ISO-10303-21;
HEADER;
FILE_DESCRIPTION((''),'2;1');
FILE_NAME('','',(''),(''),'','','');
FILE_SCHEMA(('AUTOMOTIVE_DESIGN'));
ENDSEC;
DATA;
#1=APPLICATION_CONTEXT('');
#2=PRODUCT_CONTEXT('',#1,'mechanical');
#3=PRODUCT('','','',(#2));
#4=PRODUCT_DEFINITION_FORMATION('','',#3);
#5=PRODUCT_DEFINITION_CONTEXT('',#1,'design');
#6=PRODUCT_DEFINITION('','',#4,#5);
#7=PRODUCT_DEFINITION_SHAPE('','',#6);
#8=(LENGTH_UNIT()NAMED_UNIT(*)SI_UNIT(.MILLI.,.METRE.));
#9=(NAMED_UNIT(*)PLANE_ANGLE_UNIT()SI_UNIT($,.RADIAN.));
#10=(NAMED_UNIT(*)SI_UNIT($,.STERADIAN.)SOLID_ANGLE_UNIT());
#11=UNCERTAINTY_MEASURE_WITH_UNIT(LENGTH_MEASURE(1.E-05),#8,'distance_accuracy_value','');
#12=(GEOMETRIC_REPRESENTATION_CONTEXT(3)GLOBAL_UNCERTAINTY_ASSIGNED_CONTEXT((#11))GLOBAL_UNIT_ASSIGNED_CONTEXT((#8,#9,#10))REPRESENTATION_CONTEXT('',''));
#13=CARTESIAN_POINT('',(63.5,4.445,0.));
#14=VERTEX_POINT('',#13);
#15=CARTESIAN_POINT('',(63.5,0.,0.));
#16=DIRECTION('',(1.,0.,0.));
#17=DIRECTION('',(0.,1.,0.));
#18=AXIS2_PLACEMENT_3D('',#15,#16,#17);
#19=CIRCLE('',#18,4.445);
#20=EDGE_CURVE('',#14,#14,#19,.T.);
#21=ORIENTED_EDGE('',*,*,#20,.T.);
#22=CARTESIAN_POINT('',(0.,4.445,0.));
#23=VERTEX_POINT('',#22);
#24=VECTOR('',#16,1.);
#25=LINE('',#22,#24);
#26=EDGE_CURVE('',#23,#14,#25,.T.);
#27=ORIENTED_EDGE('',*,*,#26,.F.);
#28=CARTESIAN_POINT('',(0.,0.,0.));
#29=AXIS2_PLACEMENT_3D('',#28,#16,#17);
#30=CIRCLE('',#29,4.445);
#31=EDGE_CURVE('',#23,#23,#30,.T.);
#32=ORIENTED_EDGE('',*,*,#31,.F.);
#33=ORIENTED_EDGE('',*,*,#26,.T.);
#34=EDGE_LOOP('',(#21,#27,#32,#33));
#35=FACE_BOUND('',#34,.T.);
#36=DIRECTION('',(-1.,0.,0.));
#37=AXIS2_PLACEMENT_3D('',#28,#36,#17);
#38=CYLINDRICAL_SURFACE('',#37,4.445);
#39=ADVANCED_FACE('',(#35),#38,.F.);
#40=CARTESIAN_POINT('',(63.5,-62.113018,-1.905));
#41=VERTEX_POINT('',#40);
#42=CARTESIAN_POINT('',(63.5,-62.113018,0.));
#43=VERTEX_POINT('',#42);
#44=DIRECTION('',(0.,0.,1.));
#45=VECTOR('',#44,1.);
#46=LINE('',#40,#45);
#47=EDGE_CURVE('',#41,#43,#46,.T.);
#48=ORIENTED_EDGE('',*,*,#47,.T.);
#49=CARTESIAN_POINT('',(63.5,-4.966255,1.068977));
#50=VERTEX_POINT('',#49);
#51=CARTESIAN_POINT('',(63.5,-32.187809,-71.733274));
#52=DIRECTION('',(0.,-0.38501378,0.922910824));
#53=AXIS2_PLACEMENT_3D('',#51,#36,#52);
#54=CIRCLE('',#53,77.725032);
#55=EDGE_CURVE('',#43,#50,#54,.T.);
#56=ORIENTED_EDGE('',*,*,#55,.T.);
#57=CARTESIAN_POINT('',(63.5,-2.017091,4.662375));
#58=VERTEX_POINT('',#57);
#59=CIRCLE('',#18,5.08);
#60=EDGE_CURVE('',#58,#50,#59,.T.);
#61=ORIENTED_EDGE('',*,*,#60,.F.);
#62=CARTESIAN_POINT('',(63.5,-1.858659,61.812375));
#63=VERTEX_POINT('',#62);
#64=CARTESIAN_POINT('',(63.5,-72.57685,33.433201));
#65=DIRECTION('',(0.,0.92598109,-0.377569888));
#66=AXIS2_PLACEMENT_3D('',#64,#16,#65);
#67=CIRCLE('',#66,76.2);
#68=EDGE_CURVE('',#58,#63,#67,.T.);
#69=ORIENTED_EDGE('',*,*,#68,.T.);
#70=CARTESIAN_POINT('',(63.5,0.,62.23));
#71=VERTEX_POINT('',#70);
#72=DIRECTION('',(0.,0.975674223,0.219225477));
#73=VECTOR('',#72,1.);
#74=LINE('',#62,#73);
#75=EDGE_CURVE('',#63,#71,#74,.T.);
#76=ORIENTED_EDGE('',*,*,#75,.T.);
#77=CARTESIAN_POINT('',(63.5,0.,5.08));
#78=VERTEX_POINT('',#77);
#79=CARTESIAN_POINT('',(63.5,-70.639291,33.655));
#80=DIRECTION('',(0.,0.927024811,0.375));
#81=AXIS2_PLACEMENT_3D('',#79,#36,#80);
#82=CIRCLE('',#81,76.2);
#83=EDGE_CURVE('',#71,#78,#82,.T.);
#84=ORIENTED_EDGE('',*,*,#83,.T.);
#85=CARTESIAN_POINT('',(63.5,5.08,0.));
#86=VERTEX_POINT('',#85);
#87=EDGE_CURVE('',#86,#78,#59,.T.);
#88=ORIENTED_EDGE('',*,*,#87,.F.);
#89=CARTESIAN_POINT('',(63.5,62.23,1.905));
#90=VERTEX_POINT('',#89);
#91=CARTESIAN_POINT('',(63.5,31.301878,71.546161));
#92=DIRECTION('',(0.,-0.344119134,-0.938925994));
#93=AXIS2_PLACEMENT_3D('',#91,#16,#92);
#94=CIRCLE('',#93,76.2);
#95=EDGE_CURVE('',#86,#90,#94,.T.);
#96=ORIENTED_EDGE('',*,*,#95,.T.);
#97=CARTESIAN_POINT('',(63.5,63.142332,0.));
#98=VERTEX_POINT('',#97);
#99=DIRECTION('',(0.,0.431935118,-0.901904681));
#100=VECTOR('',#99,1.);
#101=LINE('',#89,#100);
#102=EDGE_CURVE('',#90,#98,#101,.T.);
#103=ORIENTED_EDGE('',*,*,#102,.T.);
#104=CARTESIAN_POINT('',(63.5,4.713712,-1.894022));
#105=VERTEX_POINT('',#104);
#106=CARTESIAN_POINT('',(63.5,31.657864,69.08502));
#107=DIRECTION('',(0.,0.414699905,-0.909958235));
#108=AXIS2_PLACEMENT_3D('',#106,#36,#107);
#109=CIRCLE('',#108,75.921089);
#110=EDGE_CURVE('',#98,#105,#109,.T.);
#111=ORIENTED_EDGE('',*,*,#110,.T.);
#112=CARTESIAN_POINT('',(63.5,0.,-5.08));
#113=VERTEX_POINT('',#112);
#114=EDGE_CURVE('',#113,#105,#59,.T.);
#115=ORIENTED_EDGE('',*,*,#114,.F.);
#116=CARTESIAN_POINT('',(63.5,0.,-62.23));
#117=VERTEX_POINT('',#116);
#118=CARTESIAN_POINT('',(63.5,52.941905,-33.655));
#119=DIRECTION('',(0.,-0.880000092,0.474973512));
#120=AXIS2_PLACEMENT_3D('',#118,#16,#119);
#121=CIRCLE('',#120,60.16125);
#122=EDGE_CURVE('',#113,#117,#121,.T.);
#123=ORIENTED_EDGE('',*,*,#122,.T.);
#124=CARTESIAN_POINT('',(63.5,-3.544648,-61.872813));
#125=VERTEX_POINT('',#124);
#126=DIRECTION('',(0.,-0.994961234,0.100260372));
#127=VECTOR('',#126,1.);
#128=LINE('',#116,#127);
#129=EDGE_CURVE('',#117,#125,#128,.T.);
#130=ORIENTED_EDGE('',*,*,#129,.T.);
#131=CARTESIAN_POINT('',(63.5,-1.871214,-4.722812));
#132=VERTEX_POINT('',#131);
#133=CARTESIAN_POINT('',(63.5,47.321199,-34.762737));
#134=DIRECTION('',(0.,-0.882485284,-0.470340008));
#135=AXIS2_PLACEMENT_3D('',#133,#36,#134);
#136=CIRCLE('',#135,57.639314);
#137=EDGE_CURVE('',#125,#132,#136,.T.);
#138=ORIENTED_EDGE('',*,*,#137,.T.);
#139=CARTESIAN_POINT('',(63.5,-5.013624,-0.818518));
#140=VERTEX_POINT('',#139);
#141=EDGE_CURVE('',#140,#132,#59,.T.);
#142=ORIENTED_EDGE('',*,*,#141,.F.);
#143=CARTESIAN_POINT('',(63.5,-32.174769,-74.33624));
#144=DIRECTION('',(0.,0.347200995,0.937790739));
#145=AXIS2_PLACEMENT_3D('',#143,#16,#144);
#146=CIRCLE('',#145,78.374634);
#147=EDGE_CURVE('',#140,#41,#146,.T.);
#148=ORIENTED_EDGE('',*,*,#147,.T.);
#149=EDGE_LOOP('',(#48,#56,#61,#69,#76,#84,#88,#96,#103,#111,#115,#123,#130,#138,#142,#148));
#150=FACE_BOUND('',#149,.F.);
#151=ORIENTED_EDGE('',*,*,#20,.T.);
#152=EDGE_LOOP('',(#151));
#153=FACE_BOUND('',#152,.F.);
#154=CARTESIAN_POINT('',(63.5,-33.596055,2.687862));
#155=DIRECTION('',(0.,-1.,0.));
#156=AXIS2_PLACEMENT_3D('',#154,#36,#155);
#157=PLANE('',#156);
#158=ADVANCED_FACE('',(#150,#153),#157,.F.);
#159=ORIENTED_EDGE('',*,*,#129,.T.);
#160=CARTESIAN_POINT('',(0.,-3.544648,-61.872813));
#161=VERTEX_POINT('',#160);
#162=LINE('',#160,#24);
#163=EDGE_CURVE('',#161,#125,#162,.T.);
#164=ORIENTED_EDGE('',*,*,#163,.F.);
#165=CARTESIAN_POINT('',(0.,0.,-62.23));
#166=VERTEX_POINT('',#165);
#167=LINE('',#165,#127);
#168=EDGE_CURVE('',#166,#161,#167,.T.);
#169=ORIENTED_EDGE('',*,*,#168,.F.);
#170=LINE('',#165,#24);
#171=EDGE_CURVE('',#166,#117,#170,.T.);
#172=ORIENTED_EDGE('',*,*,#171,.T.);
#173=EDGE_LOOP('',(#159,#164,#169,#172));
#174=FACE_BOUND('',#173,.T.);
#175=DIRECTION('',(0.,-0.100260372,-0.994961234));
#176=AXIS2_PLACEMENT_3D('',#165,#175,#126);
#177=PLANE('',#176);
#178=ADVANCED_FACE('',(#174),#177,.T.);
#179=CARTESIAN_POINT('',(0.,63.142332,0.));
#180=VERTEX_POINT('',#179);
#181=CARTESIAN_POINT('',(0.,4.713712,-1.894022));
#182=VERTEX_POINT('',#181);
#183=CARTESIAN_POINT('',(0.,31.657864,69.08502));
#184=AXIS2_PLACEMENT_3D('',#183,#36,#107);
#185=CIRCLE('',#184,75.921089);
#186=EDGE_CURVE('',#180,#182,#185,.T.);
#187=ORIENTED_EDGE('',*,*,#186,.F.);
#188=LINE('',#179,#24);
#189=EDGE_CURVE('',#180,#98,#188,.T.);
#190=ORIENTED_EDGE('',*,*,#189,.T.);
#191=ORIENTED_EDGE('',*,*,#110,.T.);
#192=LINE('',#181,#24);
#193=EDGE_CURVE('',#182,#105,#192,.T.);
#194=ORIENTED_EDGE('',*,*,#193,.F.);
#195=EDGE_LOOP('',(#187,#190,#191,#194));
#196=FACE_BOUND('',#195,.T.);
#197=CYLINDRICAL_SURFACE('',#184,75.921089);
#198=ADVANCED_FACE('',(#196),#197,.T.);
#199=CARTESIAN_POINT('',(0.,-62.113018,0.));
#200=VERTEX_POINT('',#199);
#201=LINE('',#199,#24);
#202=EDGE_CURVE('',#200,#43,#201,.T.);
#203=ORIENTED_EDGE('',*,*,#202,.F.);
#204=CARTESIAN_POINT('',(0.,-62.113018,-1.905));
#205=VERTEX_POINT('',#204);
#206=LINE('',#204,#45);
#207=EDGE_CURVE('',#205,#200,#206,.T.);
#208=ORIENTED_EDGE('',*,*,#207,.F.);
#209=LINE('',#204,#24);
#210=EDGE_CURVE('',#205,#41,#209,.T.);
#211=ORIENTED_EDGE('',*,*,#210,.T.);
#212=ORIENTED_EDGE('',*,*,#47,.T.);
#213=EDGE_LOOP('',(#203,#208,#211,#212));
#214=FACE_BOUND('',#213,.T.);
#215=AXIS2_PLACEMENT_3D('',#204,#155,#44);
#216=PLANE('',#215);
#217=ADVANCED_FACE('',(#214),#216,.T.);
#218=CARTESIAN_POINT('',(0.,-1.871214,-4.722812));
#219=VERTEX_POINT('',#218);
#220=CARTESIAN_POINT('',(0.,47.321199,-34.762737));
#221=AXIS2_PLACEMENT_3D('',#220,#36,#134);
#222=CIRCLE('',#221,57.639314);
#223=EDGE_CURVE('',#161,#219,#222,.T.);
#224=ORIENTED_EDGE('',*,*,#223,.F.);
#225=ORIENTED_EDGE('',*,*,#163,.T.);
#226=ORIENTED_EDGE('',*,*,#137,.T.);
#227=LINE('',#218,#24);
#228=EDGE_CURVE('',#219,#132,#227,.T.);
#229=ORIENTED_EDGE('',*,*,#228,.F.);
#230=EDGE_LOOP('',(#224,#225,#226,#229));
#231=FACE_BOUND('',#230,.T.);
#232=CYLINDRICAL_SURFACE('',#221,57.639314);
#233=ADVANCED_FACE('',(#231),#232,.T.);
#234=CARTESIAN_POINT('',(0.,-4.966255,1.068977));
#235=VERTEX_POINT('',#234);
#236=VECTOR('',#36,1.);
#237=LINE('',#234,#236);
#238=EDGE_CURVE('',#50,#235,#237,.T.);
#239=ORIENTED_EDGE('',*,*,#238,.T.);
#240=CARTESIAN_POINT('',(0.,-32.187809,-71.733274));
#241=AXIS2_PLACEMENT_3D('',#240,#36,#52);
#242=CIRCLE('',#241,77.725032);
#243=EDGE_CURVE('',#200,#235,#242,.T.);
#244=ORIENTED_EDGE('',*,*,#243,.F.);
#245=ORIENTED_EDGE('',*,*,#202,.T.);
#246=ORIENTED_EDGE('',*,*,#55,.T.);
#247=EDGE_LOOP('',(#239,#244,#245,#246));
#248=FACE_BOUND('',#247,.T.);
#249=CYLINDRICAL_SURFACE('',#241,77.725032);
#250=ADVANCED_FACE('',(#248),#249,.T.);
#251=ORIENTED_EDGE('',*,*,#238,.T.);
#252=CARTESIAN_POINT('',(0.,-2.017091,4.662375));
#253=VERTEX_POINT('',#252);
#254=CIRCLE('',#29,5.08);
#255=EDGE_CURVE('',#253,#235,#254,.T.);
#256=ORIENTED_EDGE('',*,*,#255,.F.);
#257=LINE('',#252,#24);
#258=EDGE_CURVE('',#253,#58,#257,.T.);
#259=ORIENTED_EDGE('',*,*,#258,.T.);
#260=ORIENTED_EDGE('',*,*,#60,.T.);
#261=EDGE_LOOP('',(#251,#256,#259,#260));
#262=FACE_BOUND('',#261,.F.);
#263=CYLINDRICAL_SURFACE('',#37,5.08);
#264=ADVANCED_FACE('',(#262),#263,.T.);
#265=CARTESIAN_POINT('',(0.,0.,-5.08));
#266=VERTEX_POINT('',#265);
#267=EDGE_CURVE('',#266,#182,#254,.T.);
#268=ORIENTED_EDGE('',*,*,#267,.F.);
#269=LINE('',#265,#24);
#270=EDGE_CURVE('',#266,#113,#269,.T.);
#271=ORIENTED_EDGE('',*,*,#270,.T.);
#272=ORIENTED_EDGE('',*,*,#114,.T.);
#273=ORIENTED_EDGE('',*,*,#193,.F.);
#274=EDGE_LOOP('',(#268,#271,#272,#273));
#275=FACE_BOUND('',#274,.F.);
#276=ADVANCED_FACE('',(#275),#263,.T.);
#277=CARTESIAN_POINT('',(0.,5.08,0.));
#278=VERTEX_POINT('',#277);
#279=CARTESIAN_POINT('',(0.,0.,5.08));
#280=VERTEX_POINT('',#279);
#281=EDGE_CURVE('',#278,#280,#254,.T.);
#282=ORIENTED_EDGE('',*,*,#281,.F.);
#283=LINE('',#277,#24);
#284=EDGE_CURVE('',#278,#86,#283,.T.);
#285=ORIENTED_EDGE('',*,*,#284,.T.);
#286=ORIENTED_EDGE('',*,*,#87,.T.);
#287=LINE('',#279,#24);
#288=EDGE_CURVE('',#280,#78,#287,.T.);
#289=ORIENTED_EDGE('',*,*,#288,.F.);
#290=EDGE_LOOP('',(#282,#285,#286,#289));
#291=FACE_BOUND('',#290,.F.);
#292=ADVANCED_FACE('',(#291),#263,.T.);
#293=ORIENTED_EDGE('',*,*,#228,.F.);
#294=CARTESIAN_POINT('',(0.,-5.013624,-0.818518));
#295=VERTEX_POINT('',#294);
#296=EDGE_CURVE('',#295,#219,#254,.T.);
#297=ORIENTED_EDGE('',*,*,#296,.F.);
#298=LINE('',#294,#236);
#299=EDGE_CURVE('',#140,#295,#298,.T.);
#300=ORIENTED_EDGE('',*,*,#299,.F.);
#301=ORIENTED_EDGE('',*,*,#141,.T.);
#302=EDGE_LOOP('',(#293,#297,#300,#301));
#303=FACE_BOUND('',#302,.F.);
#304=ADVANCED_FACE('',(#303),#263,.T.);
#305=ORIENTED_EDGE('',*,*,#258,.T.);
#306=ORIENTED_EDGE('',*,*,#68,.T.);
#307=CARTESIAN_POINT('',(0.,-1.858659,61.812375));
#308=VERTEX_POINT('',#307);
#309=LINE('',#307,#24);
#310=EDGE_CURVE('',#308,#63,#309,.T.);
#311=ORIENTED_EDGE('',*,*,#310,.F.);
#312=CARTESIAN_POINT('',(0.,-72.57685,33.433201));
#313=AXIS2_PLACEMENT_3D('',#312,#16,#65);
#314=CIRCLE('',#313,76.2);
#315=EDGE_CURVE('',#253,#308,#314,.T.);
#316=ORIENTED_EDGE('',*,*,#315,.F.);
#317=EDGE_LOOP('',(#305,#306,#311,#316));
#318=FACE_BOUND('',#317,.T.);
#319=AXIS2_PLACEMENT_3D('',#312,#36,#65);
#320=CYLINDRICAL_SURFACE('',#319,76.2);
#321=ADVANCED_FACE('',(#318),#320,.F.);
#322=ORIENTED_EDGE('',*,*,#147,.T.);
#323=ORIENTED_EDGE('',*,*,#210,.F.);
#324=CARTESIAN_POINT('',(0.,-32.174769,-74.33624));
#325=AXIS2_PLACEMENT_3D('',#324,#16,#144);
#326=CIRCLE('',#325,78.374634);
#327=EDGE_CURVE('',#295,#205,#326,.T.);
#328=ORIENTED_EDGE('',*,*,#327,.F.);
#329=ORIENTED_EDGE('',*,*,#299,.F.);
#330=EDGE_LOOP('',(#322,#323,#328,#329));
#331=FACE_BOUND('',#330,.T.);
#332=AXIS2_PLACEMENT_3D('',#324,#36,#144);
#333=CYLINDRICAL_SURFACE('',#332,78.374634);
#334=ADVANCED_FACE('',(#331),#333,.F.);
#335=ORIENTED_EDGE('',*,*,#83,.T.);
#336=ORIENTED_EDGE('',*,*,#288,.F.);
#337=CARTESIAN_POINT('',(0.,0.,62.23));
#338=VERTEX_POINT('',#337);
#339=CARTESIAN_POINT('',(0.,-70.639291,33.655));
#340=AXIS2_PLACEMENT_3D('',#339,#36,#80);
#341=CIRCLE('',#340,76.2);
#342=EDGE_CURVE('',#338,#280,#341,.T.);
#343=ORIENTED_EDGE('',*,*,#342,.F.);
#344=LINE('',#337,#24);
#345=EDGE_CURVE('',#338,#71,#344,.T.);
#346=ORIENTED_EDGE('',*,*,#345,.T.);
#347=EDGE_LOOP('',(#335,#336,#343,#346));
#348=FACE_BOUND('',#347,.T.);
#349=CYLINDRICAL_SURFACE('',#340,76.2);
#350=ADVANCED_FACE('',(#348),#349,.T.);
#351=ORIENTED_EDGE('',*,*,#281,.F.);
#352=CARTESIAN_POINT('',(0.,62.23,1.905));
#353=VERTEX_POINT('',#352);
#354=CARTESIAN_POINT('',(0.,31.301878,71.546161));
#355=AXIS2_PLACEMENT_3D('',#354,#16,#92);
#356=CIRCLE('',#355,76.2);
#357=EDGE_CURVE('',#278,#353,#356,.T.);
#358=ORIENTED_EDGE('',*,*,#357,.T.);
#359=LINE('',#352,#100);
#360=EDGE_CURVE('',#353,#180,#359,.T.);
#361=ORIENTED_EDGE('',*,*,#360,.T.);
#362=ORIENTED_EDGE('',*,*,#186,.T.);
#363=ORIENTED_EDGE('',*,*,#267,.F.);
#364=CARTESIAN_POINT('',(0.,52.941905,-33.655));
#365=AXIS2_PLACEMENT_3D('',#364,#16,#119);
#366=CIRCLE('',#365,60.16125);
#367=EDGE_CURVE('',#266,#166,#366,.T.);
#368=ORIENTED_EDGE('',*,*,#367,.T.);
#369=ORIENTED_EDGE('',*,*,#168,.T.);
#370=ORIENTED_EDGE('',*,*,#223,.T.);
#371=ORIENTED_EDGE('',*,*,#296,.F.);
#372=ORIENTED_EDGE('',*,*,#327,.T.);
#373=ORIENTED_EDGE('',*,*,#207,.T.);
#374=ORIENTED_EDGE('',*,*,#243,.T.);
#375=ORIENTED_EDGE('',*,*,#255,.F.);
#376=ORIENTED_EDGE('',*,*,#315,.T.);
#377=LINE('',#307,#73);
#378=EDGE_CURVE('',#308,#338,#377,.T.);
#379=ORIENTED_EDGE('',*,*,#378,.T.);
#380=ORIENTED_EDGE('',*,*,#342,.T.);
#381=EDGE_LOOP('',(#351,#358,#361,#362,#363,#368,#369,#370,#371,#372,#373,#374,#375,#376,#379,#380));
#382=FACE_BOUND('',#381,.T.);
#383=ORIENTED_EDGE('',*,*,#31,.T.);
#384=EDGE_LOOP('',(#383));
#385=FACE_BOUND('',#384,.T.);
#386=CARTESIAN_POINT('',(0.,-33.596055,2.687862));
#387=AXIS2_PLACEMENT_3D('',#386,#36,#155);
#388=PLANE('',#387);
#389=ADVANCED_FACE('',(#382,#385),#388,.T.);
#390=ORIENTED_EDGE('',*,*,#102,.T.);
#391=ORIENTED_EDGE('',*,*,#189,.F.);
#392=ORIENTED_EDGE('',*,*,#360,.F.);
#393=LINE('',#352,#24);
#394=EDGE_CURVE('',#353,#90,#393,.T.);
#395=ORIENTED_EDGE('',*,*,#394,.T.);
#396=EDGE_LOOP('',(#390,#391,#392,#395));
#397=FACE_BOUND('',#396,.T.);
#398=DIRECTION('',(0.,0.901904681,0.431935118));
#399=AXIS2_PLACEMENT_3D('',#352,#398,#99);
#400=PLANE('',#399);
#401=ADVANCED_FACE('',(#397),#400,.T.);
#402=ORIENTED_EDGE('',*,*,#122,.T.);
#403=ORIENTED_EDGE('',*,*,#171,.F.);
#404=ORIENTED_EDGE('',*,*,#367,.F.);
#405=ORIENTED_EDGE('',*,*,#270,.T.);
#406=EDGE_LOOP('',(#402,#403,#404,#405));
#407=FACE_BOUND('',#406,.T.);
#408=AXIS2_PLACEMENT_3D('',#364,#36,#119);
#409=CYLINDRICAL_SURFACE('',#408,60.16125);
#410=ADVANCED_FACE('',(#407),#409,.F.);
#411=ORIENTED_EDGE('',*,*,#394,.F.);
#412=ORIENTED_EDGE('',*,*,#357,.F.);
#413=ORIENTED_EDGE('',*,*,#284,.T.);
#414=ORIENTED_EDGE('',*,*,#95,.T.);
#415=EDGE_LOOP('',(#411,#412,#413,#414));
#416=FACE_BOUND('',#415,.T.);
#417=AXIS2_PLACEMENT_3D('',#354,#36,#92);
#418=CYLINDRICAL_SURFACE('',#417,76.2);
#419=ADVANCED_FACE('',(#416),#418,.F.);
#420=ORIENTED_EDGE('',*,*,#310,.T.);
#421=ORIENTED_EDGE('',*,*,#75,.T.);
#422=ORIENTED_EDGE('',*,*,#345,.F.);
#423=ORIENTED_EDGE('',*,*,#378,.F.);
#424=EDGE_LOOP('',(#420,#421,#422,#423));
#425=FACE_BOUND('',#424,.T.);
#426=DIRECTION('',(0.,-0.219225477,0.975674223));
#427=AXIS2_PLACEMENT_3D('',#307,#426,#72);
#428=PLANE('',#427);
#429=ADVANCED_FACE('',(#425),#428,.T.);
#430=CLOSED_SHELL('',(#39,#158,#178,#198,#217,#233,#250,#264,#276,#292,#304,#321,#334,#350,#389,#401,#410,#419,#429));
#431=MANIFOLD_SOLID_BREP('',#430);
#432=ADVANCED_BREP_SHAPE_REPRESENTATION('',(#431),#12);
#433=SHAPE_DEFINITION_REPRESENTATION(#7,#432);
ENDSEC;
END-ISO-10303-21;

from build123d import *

# Parameters (mm, degrees)
F1_R      = 5.08
F2_DEPTH  = 63.5
F0_R      = 4.445
F3_DEPTH  = 63.5
F5_DEPTH  = 63.5
F7_DEPTH  = 63.5
F8_DEPTH  = 63.5
F9_DEPTH  = 63.5
F10_DEPTH = 63.5
F12_DEPTH = 63.5


with BuildPart() as f2:
    # F1 (on Right) → F2 (new body)
    with BuildSketch(Plane.YZ):
        Circle(F1_R)
    extrude(amount=F2_DEPTH)

    # F0 (on Right) → F3 (cut)
    with BuildSketch(Plane.YZ):
        Circle(F0_R)
    extrude(amount=F3_DEPTH, mode=Mode.SUBTRACT)

    # F4 (on face) → F5 (join)
    with BuildSketch(Plane(origin=(0, 0, 0), x_dir=(0, -1, 0), z_dir=(-1, 0, 0))):
        with BuildLine():
            Line((1.8586593957, 61.8123754669), (0, 62.23))
            ThreePointArc((0, 62.23), (-5.5607094104, 33.655), (0, 5.08))
            Line((0, 5.08), (2.0170907281, 4.6623754669))
            ThreePointArc((2.0170907281, 4.6623754669), (-3.6228573978, 33.2219599945), (1.8586593957, 61.8123754669))
        make_face()
        with BuildLine():
            ThreePointArc((-5.08, 0), (-33.8404680393, -4.6115411802), (-62.23, 1.905))
            Line((-62.23, 1.905), (-63.1423318884, 0))
            ThreePointArc((-63.1423318884, 0), (-34.1176295925, -6.7962114283), (-4.7137119488, -1.8940220863))
            Line((-4.7137119488, -1.8940220863), (-5.08, 0))
        make_face()
    extrude(amount=-F5_DEPTH)

    # F6 (on face) → F7 (join)
    with BuildSketch(Plane(origin=(0, 0, 0), x_dir=(0, -1, 0), z_dir=(-1, 0, 0))):
        with BuildLine():
            Line((0, -62.23), (3.5446478981, -61.8728125))
            ThreePointArc((3.5446478981, -61.8728125), (10.2934213489, -33.0756984809), (1.8712140684, -4.7228125))
            Line((1.8712140684, -4.7228125), (0, -5.08))
            ThreePointArc((0, -5.08), (7.2193443837, -33.655), (0, -62.23))
        make_face()
    extrude(amount=-F7_DEPTH)

    # F4 (on face) → F8 (join)
    with BuildSketch(Plane(origin=(0, 0, 0), x_dir=(0, -1, 0), z_dir=(-1, 0, 0))):
        with BuildLine():
            Line((1.8586593957, 61.8123754669), (0, 62.23))
            ThreePointArc((0, 62.23), (-5.5607094104, 33.655), (0, 5.08))
            Line((0, 5.08), (2.0170907281, 4.6623754669))
            ThreePointArc((2.0170907281, 4.6623754669), (-3.6228573978, 33.2219599945), (1.8586593957, 61.8123754669))
        make_face()
        with BuildLine():
            ThreePointArc((-5.08, 0), (-33.8404680393, -4.6115411802), (-62.23, 1.905))
            Line((-62.23, 1.905), (-63.1423318884, 0))
            ThreePointArc((-63.1423318884, 0), (-34.1176295925, -6.7962114283), (-4.7137119488, -1.8940220863))
            Line((-4.7137119488, -1.8940220863), (-5.08, 0))
        make_face()
    extrude(amount=-F8_DEPTH)

    # F4 (on face) → F9 (join)
    with BuildSketch(Plane(origin=(0, 0, 0), x_dir=(0, -1, 0), z_dir=(-1, 0, 0))):
        with BuildLine():
            Line((1.8586593957, 61.8123754669), (0, 62.23))
            ThreePointArc((0, 62.23), (-5.5607094104, 33.655), (0, 5.08))
            Line((0, 5.08), (2.0170907281, 4.6623754669))
            ThreePointArc((2.0170907281, 4.6623754669), (-3.6228573978, 33.2219599945), (1.8586593957, 61.8123754669))
        make_face()
        with BuildLine():
            ThreePointArc((-5.08, 0), (-33.8404680393, -4.6115411802), (-62.23, 1.905))
            Line((-62.23, 1.905), (-63.1423318884, 0))
            ThreePointArc((-63.1423318884, 0), (-34.1176295925, -6.7962114283), (-4.7137119488, -1.8940220863))
            Line((-4.7137119488, -1.8940220863), (-5.08, 0))
        make_face()
    extrude(amount=-F9_DEPTH)

    # F4 (on face) → F10 (join)
    with BuildSketch(Plane(origin=(0, 0, 0), x_dir=(0, -1, 0), z_dir=(-1, 0, 0))):
        with BuildLine():
            Line((1.8586593957, 61.8123754669), (0, 62.23))
            ThreePointArc((0, 62.23), (-5.5607094104, 33.655), (0, 5.08))
            Line((0, 5.08), (2.0170907281, 4.6623754669))
            ThreePointArc((2.0170907281, 4.6623754669), (-3.6228573978, 33.2219599945), (1.8586593957, 61.8123754669))
        make_face()
        with BuildLine():
            ThreePointArc((-5.08, 0), (-33.8404680393, -4.6115411802), (-62.23, 1.905))
            Line((-62.23, 1.905), (-63.1423318884, 0))
            ThreePointArc((-63.1423318884, 0), (-34.1176295925, -6.7962114283), (-4.7137119488, -1.8940220863))
            Line((-4.7137119488, -1.8940220863), (-5.08, 0))
        make_face()
    extrude(amount=-F10_DEPTH)

    # F11 (on face) → F12 (join)
    with BuildSketch(Plane(origin=(0, 0, 0), x_dir=(0, -1, 0), z_dir=(-1, 0, 0))):
        with BuildLine():
            Line((62.1130176587, -1.905), (62.1130176587, 0))
            ThreePointArc((62.1130176587, 0), (33.6397368663, 5.978196278), (4.9630176587, 1.0677660203))
            Line((4.9630176587, 1.0677660203), (4.9630176587, -0.8372339797))
            ThreePointArc((4.9630176587, -0.8372339797), (33.6388311261, 4.024718381), (62.1130176587, -1.905))
        make_face()
    extrude(amount=-F12_DEPTH)


solid = f2.part
